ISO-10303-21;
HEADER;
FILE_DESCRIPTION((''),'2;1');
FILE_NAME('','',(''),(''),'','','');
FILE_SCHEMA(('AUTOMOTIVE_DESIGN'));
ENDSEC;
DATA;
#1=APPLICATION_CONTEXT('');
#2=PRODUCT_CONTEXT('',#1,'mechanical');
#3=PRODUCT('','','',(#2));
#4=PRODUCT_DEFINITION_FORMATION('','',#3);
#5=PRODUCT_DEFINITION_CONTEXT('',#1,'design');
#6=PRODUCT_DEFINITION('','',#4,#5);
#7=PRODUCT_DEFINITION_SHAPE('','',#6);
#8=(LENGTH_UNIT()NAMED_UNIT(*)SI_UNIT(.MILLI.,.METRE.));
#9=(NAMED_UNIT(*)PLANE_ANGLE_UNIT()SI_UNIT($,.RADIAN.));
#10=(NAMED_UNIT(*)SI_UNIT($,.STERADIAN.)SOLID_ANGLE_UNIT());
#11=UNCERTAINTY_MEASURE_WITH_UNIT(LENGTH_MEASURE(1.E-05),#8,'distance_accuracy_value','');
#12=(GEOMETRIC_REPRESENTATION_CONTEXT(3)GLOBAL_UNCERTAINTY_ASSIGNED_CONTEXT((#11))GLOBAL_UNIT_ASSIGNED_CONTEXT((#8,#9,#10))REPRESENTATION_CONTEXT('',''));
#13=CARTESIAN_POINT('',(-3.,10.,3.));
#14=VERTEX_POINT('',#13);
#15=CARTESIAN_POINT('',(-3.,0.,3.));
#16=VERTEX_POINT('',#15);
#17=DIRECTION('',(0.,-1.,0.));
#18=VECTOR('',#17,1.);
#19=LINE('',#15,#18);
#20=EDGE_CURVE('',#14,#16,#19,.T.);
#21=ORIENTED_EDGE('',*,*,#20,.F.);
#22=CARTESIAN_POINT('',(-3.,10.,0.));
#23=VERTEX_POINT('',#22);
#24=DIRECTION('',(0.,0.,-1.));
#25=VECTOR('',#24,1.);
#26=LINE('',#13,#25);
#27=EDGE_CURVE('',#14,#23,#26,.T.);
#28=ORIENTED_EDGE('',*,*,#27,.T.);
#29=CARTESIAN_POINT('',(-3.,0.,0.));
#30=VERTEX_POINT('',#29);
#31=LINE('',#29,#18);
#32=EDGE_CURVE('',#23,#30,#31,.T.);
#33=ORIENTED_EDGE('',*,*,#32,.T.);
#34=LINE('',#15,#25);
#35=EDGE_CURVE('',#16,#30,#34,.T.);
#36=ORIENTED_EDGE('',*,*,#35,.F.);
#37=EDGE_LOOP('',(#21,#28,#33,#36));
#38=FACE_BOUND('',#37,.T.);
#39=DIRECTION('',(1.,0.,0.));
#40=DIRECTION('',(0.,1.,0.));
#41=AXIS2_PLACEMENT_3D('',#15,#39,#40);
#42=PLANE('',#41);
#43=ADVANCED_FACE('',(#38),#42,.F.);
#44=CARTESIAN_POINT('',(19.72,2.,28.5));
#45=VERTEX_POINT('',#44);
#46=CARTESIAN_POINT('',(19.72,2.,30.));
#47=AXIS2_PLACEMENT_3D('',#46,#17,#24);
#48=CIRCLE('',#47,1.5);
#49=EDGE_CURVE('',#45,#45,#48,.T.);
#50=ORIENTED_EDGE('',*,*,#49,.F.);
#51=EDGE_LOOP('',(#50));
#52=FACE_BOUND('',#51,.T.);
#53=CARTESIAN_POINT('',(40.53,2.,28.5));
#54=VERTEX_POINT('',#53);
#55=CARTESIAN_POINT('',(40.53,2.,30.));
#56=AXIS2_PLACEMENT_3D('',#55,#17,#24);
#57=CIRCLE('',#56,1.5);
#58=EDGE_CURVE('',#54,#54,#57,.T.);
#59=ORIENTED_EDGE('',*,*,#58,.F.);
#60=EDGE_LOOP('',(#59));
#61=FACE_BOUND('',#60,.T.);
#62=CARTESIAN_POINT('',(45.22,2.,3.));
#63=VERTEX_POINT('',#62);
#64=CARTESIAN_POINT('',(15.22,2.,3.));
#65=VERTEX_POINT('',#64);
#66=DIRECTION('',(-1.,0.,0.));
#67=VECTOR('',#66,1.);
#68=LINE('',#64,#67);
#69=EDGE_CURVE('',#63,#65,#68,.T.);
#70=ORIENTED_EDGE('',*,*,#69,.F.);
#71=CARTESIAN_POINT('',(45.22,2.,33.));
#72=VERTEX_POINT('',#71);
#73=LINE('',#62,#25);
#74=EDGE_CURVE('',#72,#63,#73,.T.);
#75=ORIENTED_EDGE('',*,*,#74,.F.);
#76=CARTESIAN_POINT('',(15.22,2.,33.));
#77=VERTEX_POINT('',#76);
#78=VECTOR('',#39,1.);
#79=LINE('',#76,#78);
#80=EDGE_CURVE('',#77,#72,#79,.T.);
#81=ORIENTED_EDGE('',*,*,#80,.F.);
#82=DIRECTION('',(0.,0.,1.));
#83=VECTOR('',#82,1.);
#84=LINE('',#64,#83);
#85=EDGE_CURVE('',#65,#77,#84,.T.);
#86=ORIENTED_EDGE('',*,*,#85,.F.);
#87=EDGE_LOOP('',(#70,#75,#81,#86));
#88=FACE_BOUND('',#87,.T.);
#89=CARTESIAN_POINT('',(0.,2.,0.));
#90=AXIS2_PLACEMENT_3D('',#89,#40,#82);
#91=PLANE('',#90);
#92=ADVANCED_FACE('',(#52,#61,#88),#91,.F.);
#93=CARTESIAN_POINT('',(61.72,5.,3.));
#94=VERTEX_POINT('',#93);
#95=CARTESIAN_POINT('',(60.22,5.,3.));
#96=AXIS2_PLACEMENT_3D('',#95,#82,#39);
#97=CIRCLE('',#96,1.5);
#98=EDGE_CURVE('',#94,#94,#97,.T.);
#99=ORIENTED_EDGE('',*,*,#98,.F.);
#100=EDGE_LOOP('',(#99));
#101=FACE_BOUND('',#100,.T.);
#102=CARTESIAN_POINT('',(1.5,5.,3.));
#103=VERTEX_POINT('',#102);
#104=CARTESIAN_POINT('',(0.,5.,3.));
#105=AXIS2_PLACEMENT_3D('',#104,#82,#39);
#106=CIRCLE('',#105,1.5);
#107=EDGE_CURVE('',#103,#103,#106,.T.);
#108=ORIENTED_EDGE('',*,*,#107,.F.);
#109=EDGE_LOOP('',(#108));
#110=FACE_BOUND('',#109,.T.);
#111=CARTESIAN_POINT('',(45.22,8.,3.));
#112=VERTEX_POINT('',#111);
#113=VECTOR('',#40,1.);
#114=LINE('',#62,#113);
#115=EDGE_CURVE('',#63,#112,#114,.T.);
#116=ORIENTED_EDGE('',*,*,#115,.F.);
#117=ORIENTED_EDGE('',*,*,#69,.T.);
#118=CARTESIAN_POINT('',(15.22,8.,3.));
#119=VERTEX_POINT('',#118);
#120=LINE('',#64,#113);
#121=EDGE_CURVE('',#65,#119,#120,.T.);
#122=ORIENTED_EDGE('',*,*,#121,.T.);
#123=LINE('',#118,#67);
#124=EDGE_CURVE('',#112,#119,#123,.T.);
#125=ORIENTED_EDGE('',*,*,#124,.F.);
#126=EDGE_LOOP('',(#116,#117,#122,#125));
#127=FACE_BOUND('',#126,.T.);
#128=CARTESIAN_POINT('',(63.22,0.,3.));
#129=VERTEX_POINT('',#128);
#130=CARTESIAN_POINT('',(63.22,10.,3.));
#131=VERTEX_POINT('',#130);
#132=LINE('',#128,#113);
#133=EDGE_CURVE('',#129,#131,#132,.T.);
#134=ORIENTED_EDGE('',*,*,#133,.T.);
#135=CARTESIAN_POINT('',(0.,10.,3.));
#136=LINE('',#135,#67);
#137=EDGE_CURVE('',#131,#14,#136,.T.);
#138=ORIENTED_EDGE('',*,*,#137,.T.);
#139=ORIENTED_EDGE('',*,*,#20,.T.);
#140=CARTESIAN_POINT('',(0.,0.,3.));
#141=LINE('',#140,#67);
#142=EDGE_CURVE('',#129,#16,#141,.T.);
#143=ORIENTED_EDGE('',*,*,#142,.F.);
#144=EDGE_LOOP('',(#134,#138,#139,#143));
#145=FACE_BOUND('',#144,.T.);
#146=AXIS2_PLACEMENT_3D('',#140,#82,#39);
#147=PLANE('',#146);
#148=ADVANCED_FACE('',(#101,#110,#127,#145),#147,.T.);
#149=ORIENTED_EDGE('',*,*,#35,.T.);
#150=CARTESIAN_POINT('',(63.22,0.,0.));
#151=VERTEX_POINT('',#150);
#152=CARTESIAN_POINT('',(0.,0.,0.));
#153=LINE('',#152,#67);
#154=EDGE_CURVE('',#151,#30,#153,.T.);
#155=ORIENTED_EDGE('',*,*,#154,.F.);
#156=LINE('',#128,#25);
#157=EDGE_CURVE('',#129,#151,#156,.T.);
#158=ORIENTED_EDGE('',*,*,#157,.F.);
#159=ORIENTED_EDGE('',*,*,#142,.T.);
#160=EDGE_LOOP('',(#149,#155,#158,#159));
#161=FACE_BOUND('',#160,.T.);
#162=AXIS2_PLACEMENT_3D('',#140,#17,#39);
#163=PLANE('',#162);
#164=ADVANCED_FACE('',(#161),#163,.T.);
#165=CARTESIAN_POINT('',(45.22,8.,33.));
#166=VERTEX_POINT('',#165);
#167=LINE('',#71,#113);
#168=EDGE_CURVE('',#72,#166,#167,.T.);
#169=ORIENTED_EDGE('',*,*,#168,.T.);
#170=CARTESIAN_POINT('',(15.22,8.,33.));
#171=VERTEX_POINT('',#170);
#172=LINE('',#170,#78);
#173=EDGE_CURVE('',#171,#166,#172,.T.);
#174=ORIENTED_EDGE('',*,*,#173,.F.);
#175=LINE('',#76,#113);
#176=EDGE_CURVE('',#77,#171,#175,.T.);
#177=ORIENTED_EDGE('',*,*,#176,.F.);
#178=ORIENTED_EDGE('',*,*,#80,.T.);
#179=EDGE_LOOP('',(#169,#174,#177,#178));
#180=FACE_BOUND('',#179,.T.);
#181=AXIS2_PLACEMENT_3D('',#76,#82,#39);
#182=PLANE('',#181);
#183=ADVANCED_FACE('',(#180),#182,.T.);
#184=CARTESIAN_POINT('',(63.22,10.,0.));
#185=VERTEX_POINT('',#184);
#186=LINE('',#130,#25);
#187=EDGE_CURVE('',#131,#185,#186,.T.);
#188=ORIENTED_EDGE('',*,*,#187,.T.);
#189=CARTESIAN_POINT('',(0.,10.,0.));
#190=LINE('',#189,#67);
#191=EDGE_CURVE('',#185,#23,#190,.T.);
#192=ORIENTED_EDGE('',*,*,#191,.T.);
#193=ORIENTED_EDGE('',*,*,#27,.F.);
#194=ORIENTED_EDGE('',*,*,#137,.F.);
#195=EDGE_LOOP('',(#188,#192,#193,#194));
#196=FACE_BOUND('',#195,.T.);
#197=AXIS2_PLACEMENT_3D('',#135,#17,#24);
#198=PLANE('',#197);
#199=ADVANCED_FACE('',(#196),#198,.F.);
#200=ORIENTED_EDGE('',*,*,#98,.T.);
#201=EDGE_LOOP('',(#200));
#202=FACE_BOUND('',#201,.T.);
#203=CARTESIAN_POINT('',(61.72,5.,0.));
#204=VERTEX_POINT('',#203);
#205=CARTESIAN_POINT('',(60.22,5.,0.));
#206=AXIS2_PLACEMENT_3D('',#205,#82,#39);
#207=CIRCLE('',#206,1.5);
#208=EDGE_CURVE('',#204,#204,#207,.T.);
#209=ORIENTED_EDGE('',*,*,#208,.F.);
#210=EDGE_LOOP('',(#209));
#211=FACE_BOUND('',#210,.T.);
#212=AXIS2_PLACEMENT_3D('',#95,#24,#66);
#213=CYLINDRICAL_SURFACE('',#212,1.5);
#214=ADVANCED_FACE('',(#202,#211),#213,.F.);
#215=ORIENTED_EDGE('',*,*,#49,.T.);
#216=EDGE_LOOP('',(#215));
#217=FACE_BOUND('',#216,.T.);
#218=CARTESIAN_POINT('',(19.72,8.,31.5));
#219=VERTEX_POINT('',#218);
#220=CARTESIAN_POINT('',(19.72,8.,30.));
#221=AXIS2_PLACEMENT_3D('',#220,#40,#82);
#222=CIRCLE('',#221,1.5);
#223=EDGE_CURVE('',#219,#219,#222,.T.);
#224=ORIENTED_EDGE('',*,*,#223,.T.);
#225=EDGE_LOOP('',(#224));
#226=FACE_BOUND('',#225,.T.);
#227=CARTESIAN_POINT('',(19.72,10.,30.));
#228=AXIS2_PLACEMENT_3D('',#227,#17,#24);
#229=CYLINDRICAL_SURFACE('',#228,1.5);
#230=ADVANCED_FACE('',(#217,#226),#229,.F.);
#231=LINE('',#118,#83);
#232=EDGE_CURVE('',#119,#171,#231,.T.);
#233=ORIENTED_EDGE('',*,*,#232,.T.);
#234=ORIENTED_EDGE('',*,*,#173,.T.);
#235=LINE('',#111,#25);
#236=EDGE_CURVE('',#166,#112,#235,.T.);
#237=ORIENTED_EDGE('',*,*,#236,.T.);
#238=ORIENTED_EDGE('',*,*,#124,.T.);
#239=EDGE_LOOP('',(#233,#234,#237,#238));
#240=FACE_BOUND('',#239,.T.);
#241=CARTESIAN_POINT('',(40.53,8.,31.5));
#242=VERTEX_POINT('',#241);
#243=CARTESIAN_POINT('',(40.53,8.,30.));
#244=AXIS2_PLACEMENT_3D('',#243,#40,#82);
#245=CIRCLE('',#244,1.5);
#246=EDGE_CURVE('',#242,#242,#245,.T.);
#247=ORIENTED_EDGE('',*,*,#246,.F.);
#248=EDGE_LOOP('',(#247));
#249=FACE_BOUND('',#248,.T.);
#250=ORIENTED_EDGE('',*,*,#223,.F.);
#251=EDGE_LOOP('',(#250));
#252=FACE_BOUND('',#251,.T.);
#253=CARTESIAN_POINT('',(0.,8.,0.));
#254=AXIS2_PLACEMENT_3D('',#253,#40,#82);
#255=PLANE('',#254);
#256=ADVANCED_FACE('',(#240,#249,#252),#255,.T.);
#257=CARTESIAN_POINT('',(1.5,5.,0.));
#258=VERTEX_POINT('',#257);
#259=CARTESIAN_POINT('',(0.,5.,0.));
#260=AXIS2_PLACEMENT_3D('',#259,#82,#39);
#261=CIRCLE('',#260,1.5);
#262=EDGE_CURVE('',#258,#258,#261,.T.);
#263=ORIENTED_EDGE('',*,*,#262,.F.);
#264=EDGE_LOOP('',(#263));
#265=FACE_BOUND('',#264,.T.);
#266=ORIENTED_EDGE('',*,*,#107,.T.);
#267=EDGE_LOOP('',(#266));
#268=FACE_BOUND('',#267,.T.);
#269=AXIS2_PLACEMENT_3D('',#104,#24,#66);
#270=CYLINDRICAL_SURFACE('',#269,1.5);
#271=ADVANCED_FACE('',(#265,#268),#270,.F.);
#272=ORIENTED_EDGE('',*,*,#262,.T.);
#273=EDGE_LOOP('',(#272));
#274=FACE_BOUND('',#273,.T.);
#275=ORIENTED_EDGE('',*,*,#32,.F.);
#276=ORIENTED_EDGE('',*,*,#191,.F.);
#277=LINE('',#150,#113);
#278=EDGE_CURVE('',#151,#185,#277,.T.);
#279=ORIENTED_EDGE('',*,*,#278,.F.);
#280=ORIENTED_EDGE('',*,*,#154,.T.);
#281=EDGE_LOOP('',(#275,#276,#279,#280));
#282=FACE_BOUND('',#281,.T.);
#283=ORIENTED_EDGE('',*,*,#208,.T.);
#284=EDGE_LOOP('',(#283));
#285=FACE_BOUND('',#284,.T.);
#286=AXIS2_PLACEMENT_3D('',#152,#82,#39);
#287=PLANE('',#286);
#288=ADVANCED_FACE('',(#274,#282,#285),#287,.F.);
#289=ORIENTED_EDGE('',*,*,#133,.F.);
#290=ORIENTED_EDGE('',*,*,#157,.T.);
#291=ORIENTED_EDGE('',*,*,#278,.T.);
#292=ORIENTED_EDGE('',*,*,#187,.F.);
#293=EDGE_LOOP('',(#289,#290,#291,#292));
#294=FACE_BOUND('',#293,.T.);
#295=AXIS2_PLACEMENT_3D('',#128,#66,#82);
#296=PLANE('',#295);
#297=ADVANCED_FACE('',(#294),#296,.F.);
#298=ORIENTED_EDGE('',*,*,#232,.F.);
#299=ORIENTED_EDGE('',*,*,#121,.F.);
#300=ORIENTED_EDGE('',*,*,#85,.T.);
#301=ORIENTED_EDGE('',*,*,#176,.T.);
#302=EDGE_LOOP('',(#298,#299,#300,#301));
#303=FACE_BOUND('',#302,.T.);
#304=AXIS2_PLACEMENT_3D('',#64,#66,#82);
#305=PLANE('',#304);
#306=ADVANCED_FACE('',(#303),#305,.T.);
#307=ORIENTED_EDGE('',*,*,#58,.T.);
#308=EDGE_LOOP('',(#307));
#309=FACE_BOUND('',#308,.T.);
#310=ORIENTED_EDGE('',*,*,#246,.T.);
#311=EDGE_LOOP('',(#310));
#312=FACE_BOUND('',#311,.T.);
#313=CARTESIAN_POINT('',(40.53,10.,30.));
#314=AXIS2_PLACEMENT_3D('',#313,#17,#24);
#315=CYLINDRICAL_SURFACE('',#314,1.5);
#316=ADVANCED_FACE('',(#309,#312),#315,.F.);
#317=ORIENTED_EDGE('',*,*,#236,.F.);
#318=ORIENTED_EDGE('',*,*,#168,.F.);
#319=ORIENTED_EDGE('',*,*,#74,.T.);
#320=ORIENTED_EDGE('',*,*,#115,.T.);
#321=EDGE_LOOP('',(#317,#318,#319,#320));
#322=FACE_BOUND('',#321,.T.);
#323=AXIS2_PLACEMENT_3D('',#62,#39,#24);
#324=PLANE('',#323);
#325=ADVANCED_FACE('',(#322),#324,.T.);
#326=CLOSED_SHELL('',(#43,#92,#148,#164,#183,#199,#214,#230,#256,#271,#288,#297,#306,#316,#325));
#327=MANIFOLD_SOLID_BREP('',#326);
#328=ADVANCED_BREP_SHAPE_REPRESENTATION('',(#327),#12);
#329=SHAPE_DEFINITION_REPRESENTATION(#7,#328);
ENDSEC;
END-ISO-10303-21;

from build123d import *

# Parameters (mm, degrees)
SKETCH1_W                = 66.22
SKETCH1_H                = 10
SKETCH1_R                = 1.5
BOSS_EXTRUDE1_DEPTH      = 3
BOSS_EXTRUDE2_DEPTH      = 3
BOSS_EXTRUDE2_DEPTH_BACK = 3
SKETCH2_W                = 30
SKETCH2_H                = 30
SKETCH3_R                = 1.5
CUT_EXTRUDE1_DEPTH       = 72.76188682


with BuildPart() as part:
    # Sketch1 → Boss-Extrude1 (new body)
    with BuildSketch(Plane.XY):
        with Locations((30.11, 5)):
            Rectangle(SKETCH1_W, SKETCH1_H)
        with Locations((0, 5)):
            Circle(SKETCH1_R, mode=Mode.SUBTRACT)
        with Locations((60.22, 5)):
            Circle(SKETCH1_R, mode=Mode.SUBTRACT)
    extrude(amount=BOSS_EXTRUDE1_DEPTH)

    # Sketch2 → Boss-Extrude2 (add, two sides: drawn at the far end of the back side and taken through both)
    with BuildSketch(Plane(origin=(0, 5, 0), x_dir=(1, 0, 0), z_dir=(0, 1, 0)).offset(-BOSS_EXTRUDE2_DEPTH_BACK)):
        with Locations((30.22, -18)):
            Rectangle(SKETCH2_W, SKETCH2_H)
    extrude(amount=BOSS_EXTRUDE2_DEPTH + BOSS_EXTRUDE2_DEPTH_BACK)

    # Sketch3 → Cut-Extrude1 (cut, through all)
    with BuildSketch(Plane.XZ.offset(-2)):
        with Locations(Location((19.72, 30, 0), (0, 0, 270))):
            Circle(SKETCH3_R)
        with Locations(Location((40.53, 30, 0), (0, 0, 270))):
            Circle(SKETCH3_R)
    extrude(amount=-CUT_EXTRUDE1_DEPTH, mode=Mode.SUBTRACT)


solid = part.part
